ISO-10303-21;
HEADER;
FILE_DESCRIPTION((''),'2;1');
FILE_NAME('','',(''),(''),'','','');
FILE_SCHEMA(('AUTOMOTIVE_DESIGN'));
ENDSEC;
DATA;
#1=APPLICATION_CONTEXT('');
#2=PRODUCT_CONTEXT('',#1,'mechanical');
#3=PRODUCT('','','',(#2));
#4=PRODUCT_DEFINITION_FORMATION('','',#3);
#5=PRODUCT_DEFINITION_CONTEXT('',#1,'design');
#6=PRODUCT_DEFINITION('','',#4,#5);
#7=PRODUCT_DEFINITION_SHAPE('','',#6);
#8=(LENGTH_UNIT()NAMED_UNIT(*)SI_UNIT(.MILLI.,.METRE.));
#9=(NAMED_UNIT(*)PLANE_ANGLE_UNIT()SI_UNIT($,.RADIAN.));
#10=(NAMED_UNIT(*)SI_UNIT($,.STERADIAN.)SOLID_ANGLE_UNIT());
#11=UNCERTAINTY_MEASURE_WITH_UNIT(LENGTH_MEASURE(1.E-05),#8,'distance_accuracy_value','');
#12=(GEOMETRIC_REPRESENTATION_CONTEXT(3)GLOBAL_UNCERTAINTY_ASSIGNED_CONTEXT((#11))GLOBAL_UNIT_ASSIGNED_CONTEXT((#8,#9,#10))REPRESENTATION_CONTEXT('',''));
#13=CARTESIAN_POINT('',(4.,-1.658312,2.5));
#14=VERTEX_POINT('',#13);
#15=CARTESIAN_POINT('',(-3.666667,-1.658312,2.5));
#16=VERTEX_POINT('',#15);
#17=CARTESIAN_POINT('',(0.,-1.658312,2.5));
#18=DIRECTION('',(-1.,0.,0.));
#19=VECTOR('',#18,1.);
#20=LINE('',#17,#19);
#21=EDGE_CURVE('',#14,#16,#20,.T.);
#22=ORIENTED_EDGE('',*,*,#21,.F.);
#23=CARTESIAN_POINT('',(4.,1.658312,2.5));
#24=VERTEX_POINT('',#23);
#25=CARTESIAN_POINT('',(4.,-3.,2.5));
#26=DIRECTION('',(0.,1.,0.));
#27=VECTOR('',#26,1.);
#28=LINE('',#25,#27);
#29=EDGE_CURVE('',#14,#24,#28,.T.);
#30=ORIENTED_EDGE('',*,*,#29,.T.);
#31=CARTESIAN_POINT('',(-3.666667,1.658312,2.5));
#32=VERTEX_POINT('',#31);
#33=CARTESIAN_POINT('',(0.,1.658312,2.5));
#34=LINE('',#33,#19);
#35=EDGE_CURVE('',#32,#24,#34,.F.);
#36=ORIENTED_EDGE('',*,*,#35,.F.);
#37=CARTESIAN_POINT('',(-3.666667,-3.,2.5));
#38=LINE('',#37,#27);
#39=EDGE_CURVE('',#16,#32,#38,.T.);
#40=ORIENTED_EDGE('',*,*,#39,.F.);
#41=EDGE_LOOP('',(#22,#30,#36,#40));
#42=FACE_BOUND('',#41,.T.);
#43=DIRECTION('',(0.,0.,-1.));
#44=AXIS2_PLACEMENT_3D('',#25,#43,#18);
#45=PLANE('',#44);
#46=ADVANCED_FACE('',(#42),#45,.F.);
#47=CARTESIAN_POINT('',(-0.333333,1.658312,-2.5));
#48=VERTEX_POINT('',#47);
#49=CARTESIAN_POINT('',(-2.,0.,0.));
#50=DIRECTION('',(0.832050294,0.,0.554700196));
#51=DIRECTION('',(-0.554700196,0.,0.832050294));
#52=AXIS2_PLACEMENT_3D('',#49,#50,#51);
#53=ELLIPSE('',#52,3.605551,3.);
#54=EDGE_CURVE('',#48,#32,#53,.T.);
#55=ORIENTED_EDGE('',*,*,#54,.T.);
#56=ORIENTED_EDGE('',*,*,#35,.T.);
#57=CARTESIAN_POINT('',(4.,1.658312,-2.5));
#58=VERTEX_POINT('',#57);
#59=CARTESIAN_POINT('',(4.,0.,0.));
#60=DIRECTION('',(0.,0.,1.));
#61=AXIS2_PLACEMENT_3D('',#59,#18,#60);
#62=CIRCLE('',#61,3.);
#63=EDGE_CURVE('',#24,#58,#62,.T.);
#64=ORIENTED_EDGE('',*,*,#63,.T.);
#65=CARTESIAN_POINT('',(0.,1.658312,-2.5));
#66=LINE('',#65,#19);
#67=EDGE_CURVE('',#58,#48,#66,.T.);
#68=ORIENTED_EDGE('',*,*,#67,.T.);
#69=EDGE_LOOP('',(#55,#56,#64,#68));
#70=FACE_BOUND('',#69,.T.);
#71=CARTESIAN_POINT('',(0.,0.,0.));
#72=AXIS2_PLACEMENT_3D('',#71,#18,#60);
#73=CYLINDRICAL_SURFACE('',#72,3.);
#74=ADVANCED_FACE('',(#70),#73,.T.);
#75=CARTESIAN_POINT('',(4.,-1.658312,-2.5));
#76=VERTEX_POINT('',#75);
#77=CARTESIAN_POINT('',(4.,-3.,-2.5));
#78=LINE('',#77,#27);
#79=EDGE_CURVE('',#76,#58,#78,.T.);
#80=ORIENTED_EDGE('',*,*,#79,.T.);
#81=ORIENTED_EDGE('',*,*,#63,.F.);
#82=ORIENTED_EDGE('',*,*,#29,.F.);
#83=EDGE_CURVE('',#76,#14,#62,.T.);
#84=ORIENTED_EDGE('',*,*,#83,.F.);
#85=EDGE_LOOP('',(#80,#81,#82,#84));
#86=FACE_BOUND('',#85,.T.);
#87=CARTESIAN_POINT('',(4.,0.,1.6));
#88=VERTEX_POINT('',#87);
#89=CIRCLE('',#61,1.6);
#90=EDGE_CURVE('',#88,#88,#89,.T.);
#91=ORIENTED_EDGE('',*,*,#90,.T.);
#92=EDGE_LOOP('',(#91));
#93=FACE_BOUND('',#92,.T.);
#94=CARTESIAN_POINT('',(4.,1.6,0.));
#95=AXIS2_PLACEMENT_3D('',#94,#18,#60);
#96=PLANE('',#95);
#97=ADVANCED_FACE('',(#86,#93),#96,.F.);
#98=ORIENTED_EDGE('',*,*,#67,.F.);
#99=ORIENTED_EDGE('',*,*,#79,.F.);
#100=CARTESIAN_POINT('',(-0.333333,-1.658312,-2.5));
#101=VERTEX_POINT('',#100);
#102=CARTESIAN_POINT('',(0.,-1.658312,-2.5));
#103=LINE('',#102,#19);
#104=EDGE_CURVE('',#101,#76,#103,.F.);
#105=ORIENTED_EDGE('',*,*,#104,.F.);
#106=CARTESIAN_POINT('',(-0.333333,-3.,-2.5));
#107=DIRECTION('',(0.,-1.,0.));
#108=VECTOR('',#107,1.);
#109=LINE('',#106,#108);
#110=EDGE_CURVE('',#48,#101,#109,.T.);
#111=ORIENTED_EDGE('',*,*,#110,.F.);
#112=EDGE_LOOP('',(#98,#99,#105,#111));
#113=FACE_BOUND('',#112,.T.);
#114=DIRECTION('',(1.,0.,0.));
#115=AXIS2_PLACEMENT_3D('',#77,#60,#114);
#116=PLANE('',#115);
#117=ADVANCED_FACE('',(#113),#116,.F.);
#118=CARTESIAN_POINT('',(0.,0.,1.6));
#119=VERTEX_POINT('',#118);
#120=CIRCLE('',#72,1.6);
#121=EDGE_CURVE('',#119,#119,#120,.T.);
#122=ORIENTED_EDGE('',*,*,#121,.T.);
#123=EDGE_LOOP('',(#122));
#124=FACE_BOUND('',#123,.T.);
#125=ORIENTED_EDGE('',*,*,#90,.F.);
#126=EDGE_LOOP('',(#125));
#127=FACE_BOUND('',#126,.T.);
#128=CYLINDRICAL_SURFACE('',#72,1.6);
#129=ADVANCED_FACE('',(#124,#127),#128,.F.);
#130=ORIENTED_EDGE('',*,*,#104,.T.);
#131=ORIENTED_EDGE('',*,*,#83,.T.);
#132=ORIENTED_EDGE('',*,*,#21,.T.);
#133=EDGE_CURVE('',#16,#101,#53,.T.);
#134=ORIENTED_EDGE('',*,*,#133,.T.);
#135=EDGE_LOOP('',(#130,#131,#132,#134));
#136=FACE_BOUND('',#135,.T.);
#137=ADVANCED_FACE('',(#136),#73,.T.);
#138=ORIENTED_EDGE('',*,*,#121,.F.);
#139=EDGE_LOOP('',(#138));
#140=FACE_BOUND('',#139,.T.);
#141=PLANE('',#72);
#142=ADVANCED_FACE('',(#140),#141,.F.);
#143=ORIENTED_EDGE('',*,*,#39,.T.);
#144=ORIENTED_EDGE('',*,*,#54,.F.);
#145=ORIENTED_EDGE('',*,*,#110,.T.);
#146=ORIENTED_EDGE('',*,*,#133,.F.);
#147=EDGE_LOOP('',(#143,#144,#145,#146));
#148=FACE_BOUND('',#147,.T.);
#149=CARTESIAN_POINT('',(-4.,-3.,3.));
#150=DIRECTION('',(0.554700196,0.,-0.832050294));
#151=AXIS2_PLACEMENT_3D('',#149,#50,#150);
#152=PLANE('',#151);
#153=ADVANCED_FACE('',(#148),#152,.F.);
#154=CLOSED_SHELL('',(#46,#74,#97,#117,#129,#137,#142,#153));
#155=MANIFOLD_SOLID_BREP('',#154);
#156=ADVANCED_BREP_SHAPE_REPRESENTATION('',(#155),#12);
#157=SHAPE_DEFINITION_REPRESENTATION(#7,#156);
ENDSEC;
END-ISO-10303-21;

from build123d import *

# Parameters (mm, degrees)
CUT_EXTRUDE1_DEPTH      = 6.830951895
CUT_EXTRUDE1_DEPTH_BACK = 6.830951895
CUT_EXTRUDE2_DEPTH      = 6.830951895
CUT_EXTRUDE2_DEPTH_BACK = 6.830951895
SKETCH3_W               = 8
SKETCH3_H               = 0.5
SKETCH3_W_2             = 4.333333333


with BuildPart() as part:
    # Sketch1 → Revolve1 (revolve)
    with BuildSketch(Plane.XY, mode=Mode.PRIVATE) as revolve1_sk:
        Polygon((0, 0), (0, 1.6), (4, 1.6), (4, 3), (-4, 3), (-4, 0), align=None)
    revolve(revolve1_sk.sketch.rotate(Axis((0, 0, 0), (1, 0, 0)), 90), axis=Axis((0, 0, 0), (1, 0, 0)))

    # Sketch2 → Cut-Extrude1 (cut, two sides: drawn at the far end of the back side and taken through both)
    with BuildSketch(Plane(origin=(0, 0, 0), x_dir=(1, 0, 0), z_dir=(0, 1, 0)).offset(-CUT_EXTRUDE1_DEPTH_BACK)):
        Polygon((-4, -3), (0, 3), (-4, 3), align=None)
    extrude(amount=CUT_EXTRUDE1_DEPTH + CUT_EXTRUDE1_DEPTH_BACK, mode=Mode.SUBTRACT)

    # Sketch3 → Cut-Extrude2 (cut, two sides: drawn at the far end of the back side and taken through both)
    with BuildSketch(Plane(origin=(0, 0, 0), x_dir=(1, 0, 0), z_dir=(0, 1, 0)).offset(-CUT_EXTRUDE2_DEPTH_BACK)):
        with Locations((0, -2.75)):
            Rectangle(SKETCH3_W, SKETCH3_H)
        with Locations((1.833333333, 2.75)):
            Rectangle(SKETCH3_W_2, SKETCH3_H)
    extrude(amount=CUT_EXTRUDE2_DEPTH + CUT_EXTRUDE2_DEPTH_BACK, mode=Mode.SUBTRACT)


solid = part.part
